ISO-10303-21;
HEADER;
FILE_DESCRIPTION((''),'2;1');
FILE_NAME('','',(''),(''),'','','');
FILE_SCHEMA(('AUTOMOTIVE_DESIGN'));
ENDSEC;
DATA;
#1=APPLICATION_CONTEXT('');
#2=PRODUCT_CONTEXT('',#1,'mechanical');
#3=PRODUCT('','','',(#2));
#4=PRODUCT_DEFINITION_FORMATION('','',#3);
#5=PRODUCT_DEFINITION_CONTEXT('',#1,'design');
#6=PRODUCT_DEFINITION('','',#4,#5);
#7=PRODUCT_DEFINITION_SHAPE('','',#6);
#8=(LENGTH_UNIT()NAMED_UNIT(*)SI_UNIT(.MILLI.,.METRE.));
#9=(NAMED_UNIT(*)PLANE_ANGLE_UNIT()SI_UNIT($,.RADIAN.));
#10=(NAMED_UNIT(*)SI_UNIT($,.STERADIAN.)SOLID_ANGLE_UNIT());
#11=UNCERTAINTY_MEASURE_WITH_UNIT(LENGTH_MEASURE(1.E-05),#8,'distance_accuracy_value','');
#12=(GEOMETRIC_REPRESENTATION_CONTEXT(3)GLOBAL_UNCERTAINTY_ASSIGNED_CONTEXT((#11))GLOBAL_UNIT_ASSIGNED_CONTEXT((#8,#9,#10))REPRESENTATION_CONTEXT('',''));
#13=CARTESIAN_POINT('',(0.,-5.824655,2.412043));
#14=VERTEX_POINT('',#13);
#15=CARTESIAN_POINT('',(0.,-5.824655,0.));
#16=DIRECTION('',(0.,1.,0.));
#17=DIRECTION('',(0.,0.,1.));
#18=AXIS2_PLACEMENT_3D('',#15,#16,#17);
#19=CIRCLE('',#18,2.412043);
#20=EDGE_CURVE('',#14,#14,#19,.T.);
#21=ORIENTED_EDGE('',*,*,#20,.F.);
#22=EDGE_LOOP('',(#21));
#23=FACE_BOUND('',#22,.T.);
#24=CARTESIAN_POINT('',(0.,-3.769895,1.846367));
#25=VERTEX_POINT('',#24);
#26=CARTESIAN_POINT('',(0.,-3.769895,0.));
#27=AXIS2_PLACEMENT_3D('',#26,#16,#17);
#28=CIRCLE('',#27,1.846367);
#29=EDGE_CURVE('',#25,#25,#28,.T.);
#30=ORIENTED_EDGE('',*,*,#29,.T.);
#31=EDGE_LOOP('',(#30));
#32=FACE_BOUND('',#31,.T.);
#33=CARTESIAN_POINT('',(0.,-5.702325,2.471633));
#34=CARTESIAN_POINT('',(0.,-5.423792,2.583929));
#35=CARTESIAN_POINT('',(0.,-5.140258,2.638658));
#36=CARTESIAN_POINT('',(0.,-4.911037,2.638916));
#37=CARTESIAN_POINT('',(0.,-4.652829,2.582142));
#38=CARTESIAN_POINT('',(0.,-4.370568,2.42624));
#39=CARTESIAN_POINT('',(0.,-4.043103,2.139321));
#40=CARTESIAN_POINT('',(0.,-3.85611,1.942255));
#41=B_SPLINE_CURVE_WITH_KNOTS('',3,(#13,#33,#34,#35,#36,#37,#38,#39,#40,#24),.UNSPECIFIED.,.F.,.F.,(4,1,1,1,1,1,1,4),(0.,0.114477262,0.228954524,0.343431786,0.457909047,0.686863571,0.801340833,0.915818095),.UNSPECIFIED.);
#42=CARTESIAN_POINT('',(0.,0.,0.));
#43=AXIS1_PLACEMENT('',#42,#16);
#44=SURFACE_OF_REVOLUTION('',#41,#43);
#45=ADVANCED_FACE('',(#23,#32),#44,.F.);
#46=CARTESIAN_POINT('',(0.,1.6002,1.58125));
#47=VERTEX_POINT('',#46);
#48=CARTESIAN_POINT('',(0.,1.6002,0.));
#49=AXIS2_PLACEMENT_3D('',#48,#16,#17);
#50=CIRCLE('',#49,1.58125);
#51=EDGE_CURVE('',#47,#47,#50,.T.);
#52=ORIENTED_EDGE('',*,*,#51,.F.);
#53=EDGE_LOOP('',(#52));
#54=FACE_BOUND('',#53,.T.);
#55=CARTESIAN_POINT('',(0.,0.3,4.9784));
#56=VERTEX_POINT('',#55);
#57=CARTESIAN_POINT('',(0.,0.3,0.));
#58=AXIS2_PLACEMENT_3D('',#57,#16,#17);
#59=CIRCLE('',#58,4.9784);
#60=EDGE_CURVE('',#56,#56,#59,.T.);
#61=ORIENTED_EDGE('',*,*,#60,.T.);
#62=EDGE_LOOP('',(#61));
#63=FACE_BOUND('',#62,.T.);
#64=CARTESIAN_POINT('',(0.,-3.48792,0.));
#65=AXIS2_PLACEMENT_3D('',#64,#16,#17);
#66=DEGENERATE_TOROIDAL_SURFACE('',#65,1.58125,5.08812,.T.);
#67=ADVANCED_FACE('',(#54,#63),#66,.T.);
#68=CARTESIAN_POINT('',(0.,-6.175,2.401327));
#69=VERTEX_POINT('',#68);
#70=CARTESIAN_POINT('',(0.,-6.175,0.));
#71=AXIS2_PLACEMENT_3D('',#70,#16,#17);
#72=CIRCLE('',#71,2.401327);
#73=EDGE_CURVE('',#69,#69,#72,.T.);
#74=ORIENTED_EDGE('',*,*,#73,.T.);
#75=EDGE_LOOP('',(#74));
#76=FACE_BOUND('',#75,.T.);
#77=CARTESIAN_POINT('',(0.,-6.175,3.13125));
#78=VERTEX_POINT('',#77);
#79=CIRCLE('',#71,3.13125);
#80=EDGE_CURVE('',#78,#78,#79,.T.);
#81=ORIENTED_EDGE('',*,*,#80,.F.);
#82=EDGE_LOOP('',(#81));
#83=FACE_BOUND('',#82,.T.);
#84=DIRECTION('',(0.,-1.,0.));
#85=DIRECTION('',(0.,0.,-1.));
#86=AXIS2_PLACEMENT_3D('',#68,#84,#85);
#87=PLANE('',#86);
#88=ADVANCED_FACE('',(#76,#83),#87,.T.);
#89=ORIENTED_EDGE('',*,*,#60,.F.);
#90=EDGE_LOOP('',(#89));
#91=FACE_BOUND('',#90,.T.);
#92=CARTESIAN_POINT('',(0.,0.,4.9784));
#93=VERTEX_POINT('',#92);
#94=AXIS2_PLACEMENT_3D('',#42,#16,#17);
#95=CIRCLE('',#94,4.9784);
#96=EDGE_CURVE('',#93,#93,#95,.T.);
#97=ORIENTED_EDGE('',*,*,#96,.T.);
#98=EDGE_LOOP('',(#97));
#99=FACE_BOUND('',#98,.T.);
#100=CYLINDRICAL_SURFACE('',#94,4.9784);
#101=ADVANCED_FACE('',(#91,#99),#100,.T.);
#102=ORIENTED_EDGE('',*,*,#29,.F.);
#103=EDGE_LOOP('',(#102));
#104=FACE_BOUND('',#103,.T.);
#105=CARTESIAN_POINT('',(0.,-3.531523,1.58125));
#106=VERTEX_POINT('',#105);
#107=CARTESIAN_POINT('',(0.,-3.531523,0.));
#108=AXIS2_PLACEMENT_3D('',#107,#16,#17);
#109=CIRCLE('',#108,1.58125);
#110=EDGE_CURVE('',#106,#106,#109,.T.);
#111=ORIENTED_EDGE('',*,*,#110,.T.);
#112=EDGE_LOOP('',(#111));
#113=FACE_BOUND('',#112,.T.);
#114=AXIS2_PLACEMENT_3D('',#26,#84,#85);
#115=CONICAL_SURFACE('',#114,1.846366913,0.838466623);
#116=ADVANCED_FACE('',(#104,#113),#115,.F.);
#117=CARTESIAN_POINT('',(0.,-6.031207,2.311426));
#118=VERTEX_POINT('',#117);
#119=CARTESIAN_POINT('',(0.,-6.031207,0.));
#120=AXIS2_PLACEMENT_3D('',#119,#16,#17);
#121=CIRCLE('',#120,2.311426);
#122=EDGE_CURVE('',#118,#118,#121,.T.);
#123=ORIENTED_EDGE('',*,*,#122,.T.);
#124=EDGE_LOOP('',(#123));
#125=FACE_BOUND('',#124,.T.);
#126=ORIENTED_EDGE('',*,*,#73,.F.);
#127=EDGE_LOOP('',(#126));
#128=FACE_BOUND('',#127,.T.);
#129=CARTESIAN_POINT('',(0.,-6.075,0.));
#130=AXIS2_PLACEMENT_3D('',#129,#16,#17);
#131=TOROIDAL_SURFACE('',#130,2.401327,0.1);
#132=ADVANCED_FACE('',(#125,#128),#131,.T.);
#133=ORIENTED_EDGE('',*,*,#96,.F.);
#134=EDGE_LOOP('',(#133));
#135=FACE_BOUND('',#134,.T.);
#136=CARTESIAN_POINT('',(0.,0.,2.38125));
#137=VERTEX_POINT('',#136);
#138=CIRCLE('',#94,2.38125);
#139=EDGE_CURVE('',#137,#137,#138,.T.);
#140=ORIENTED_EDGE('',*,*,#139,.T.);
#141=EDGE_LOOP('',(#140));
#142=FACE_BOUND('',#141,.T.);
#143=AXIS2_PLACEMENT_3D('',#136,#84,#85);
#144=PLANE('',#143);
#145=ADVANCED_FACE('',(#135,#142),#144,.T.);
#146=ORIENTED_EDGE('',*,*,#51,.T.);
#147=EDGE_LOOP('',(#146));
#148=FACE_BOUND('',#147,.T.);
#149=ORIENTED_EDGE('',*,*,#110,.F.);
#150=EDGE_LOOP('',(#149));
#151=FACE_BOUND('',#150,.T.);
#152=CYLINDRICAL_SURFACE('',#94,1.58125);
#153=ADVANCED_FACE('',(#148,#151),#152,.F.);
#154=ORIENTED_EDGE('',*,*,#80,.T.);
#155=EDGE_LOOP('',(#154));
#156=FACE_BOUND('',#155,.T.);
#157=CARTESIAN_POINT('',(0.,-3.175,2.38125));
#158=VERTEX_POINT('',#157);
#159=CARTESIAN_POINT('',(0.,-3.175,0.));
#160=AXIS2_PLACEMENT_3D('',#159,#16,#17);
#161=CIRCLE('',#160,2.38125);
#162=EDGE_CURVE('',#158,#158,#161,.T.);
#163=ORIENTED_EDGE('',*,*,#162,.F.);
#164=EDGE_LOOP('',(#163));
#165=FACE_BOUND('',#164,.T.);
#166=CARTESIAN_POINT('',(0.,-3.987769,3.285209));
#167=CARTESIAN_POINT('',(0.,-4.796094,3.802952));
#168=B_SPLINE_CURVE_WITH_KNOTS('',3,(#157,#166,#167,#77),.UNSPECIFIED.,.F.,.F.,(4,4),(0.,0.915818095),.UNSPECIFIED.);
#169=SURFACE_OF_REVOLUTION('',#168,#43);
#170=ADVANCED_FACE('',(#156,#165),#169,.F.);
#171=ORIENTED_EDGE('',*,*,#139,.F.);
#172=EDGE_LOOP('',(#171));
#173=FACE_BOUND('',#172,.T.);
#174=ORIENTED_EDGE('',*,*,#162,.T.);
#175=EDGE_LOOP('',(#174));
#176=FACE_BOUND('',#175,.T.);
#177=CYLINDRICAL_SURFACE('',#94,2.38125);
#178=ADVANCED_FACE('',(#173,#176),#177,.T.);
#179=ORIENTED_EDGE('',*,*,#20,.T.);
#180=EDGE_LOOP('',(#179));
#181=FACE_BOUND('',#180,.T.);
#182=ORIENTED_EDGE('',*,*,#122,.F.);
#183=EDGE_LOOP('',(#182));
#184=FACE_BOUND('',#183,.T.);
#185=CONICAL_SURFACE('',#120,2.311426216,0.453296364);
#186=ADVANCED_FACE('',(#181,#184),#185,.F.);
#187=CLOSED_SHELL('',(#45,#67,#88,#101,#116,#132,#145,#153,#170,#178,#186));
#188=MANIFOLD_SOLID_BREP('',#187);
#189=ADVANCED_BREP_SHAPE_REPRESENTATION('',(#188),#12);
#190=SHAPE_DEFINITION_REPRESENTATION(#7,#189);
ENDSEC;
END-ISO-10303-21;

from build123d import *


with BuildPart() as part:
    # Sketch1 → Revolve1 (revolve)
    with BuildSketch(Plane(origin=(0, 0, 0), x_dir=(0, 0, -1), z_dir=(1, 0, 0))):
        with BuildLine():
            Line((-2.38125, 0), (-2.38125, -3.175))
            add(Edge.make_bspline(
                [(-3.13125, -6.175), (-3.802952342, -4.79609431), (-3.285209116, -3.987769359), (-2.38125, -3.175)],
                knots=[0, 0, 0, 0, 0.915818095, 0.915818095, 0.915818095, 0.915818095], degree=3))
            Line((-3.13125, -6.175), (-2.401327057, -6.175))
            ThreePointArc((-2.401327057, -6.175), (-2.316535213, -6.12801267), (-2.311426216, -6.031206863))
            Line((-2.311426216, -6.031206863), (-2.412043273, -5.824654907))
            add(Edge.make_bspline(
                [(-2.412043273, -5.824654907), (-2.471633315, -5.702325353), (-2.583928673, -5.423792478), (-2.638657915, -5.140257692), (-2.638916412, -4.911036675), (-2.582141845, -4.65282889), (-2.426240405, -4.370567896), (-2.139321349, -4.043102642), (-1.942255168, -3.85611024), (-1.846366913, -3.769895018)],
                knots=[0, 0, 0, 0, 0.114477262, 0.228954524, 0.343431786, 0.457909047, 0.686863571, 0.801340833, 0.915818095, 0.915818095, 0.915818095, 0.915818095], degree=3))
            Line((-1.846366913, -3.769895018), (-1.58125, -3.531522619))
            Line((-1.58125, -3.531522619), (-1.58125, 1.6002))
            ThreePointArc((-1.58125, 1.6002), (-3.399982262, 1.264045733), (-4.9784, 0.3))
            Line((-4.9784, 0.3), (-4.9784, 0))
            Line((-4.9784, 0), (-2.38125, 0))
        make_face()
    revolve(axis=Axis((0, 0, 0), (0, -1, 0)))


solid = part.part
